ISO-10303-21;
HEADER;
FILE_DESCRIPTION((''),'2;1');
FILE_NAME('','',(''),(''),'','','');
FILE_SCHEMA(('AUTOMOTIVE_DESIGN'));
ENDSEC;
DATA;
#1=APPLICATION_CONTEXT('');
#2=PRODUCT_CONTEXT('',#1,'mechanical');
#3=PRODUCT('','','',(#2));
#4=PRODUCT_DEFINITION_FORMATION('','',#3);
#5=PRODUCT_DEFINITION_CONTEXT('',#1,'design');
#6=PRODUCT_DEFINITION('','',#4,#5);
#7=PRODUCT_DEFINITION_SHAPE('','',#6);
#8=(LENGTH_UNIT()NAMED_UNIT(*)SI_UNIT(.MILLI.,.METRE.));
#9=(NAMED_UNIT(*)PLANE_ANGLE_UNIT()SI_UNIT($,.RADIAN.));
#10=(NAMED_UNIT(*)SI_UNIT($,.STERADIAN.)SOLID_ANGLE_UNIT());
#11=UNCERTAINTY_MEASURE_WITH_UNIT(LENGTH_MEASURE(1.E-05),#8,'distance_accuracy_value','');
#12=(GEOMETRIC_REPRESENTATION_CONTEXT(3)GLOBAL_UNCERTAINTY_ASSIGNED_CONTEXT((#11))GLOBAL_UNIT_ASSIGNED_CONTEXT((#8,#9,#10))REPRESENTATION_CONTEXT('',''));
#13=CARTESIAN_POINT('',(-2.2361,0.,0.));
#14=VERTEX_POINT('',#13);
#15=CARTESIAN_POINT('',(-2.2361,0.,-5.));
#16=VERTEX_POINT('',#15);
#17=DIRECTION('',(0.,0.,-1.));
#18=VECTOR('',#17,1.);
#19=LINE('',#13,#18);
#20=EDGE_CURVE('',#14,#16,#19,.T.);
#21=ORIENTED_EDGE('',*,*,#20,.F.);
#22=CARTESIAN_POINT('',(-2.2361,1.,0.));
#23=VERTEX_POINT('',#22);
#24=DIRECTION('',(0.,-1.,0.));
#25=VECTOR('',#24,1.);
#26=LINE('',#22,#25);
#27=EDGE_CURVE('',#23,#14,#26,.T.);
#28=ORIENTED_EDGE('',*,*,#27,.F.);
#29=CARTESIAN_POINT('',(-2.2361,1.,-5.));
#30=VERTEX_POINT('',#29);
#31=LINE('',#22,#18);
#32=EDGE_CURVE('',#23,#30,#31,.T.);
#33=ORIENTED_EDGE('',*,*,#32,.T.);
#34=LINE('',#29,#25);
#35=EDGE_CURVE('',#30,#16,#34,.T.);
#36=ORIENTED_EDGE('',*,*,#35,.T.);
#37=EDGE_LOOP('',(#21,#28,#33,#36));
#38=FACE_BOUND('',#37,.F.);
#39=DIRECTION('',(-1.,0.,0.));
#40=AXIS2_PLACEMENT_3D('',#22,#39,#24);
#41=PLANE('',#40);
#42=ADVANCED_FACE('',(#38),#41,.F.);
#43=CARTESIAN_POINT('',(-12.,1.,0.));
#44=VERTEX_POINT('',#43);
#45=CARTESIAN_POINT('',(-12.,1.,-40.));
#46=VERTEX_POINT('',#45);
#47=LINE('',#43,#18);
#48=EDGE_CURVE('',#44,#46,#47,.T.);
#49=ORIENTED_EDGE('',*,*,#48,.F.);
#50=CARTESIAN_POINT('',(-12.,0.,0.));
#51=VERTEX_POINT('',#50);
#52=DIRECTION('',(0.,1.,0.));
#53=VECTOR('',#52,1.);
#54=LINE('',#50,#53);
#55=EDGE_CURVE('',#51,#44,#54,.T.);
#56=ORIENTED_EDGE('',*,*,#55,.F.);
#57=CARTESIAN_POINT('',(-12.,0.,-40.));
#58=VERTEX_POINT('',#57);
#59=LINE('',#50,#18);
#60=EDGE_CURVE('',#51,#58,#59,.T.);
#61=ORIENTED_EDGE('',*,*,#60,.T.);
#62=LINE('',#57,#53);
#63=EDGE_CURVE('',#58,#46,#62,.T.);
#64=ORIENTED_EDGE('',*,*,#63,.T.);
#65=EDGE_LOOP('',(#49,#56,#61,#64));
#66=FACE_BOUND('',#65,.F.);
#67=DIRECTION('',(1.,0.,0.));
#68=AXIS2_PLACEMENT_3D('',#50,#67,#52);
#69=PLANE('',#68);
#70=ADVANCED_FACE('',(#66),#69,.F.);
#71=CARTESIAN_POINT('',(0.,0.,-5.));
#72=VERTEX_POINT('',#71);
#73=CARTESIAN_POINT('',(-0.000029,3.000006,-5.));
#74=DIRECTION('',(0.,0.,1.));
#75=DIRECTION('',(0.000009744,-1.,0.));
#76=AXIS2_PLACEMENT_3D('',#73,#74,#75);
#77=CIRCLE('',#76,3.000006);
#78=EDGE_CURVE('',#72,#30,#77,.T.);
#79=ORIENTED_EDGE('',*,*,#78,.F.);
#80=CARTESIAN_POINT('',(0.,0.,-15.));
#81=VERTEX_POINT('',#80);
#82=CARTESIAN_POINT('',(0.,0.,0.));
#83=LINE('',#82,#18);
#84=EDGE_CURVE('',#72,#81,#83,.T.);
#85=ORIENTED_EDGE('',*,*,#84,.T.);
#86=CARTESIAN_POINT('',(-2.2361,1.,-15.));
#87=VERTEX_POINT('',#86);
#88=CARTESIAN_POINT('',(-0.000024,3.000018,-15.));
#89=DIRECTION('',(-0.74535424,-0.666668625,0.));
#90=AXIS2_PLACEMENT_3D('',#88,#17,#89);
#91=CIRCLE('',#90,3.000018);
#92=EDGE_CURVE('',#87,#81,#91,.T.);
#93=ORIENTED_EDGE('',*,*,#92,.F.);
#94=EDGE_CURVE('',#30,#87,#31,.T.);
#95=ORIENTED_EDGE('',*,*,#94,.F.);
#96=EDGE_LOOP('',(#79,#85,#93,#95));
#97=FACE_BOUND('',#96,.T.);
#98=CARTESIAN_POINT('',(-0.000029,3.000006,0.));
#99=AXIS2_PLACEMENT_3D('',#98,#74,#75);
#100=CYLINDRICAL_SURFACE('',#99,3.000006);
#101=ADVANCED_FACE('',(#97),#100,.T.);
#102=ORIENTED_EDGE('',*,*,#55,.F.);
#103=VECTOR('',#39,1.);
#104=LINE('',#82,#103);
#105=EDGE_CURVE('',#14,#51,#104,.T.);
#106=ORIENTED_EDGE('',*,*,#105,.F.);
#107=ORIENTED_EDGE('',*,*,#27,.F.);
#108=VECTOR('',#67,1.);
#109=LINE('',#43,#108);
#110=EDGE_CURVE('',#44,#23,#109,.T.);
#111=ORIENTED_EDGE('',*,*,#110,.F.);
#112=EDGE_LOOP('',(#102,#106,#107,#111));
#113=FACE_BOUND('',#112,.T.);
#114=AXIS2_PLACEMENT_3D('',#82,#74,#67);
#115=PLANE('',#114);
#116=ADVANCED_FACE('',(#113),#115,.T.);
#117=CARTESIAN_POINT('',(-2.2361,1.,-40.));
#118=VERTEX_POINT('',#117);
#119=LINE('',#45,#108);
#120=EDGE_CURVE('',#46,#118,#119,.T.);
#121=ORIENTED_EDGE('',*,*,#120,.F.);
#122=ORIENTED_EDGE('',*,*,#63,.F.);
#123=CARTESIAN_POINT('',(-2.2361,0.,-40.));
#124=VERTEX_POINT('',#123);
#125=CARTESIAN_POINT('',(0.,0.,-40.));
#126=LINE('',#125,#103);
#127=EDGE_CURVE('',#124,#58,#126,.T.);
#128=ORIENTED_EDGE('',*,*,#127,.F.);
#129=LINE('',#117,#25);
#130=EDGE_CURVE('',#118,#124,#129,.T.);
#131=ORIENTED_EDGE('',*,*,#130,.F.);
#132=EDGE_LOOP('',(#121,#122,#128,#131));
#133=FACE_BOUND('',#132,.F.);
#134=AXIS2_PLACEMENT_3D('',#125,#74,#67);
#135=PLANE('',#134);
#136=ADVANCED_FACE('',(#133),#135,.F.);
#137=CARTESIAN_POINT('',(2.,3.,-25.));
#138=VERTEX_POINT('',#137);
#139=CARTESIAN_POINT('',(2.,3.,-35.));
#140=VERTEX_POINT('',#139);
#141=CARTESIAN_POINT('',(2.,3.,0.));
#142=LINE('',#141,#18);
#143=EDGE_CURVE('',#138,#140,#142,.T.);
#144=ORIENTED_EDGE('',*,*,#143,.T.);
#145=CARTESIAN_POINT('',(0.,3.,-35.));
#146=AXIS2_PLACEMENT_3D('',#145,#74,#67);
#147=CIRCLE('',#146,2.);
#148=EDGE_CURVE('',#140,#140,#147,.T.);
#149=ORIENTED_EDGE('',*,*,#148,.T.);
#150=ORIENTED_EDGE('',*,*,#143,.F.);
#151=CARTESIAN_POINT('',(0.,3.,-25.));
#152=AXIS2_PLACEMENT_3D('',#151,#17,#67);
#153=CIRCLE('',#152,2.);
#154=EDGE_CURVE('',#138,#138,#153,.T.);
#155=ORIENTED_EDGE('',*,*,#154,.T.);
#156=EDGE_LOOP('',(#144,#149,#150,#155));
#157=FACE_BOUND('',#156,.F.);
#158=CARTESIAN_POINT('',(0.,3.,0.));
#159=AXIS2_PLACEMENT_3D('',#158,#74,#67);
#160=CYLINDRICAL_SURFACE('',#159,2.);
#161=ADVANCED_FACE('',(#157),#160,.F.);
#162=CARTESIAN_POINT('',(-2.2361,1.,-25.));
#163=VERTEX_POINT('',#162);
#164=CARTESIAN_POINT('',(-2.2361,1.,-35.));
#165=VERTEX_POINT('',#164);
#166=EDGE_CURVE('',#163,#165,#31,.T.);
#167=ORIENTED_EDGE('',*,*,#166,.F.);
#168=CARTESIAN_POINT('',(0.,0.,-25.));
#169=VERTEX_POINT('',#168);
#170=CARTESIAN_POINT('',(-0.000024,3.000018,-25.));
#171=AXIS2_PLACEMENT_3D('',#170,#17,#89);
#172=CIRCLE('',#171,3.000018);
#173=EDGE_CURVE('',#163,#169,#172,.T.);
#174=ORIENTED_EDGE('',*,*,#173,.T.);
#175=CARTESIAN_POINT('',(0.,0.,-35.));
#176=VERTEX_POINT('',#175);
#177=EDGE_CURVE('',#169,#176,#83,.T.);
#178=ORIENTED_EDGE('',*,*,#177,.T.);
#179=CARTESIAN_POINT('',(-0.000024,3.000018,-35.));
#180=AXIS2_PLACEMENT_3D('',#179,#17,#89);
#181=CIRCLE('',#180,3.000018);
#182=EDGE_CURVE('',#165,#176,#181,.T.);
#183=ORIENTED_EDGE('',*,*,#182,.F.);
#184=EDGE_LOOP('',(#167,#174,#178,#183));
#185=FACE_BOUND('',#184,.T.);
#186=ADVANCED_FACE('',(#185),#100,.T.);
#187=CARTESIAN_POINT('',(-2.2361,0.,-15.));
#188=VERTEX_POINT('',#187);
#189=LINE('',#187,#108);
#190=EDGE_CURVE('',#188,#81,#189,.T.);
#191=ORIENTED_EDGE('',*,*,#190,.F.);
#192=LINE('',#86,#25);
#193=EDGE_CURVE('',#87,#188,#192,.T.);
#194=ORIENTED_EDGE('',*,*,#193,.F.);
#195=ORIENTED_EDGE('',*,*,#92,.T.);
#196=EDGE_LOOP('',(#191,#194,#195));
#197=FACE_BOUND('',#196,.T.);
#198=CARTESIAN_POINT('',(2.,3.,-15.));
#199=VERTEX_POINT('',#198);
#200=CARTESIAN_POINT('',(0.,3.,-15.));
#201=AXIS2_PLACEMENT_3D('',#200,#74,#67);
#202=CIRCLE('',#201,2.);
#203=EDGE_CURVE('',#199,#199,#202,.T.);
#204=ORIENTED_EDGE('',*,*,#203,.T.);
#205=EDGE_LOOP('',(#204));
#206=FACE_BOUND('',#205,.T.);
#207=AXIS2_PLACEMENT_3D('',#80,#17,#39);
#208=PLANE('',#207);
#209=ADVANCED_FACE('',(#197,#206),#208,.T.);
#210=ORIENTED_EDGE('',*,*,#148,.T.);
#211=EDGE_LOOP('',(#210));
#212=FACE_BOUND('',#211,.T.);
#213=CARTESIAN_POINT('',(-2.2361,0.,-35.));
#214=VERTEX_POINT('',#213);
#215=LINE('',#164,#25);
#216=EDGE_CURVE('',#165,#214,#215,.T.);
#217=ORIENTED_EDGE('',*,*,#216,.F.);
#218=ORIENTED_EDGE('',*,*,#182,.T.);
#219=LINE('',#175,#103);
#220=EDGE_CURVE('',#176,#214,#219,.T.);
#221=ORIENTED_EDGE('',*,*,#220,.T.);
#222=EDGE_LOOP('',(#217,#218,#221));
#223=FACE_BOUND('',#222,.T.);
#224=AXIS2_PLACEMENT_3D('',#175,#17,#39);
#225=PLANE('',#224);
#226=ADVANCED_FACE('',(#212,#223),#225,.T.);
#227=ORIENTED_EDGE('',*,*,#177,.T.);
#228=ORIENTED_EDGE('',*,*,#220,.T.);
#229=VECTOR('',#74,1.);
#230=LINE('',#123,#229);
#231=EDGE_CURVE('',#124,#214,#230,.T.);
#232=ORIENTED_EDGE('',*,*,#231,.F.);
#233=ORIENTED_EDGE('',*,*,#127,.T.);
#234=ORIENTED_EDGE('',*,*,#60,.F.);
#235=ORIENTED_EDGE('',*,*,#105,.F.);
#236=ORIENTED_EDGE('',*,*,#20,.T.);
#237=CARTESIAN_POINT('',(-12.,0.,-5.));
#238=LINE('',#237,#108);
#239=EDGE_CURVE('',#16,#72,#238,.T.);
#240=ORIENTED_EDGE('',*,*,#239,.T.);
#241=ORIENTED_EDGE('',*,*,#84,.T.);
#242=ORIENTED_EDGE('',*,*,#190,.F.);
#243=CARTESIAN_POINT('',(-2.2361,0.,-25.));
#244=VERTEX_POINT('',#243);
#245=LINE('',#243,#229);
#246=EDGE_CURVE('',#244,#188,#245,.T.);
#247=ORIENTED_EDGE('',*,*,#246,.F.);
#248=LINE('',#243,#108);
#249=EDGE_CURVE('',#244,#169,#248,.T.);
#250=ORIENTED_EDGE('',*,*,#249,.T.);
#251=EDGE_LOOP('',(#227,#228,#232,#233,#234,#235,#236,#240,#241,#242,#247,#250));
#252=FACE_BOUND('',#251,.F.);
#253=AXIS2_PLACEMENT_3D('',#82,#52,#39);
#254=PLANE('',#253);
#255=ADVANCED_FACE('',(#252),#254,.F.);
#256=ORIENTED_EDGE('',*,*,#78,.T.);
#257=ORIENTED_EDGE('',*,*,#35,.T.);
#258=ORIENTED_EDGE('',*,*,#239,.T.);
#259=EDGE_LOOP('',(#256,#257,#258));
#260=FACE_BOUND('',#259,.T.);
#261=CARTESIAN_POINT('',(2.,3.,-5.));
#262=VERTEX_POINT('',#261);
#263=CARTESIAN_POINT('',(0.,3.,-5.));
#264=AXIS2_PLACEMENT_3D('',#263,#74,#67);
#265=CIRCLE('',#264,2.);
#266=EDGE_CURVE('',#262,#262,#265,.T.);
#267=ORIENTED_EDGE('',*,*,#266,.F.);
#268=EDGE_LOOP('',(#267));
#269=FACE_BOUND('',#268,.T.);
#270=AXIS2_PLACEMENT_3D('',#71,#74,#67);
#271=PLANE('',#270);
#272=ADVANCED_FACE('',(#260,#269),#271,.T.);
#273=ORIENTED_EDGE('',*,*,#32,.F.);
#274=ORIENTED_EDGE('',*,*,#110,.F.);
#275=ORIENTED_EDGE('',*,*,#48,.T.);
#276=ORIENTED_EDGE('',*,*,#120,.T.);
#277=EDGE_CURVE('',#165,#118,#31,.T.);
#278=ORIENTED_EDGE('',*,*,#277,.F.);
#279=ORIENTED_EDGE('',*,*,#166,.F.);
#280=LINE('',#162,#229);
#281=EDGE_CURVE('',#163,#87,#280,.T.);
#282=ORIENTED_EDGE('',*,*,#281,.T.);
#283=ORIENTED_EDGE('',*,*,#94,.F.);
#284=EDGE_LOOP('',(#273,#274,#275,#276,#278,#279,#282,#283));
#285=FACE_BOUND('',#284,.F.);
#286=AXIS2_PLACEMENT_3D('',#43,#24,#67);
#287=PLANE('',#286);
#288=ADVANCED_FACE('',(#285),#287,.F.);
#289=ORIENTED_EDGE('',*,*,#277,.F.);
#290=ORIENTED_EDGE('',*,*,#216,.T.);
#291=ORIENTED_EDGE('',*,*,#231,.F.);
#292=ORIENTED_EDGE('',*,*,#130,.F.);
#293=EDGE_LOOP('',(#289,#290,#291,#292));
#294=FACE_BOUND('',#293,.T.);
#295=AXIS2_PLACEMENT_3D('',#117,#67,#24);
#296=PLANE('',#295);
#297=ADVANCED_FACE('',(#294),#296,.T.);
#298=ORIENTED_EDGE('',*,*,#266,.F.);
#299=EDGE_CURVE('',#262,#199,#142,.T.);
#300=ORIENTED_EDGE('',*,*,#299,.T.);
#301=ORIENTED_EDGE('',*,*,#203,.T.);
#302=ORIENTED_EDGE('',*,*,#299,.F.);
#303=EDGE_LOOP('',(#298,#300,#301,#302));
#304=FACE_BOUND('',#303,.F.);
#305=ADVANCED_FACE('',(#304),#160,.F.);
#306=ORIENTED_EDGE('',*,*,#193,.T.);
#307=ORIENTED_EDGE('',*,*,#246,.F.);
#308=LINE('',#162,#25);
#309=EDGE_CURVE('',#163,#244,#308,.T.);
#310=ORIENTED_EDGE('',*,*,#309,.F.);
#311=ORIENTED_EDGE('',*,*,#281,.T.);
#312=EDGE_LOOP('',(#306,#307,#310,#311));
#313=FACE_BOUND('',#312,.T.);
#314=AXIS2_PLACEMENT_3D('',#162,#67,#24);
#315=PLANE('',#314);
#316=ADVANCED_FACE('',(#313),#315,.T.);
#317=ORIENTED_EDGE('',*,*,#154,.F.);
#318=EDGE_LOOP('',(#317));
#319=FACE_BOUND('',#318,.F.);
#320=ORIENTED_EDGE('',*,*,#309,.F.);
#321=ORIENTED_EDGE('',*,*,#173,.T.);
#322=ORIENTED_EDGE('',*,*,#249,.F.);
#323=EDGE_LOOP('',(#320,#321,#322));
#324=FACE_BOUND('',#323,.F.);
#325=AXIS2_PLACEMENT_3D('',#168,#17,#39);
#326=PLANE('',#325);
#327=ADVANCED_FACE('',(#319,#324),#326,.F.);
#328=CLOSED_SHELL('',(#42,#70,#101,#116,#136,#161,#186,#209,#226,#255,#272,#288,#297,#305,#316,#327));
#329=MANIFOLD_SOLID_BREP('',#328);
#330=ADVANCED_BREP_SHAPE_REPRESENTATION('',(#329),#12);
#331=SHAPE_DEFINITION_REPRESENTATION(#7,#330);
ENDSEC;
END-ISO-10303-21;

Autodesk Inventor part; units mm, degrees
ref_plane "YZ Plane" through (0, 0, 0) normal (1, 0, 0) x (0, 1, 0)
ref_plane "XZ Plane" through (0, 0, 0) normal (0, 1, 0) x (-1, 0, 0)
sketch "Sketch1" plane through (0, 0, 0) normal (0, 0, 1) x (1, 0, 0)
  line L0 (0, 0) -> (-12, 0)
  line L1 (-12, 0) -> (-12, 1)
  line L2 (-12, 1) -> (-2.2361, 1)
  arc A0 (0, 0) -> (-2.2361, 1) centre (0, 3) ccw
  circle A1 centre (0, 3) radius 2
  dimension "d1" = 1
  dimension "d2" = 4
  dimension "d3" = 12
  dimension "d4" = 3
  dimension "d5" = 1
  dimension "d6" = 3
extrude "Extrusion1" add sketch "Sketch1" against normal blind 40
sketch "Sketch2" plane through (0, 0, 0) normal (0, 0, 1) x (1, 0, 0)
  arc A0 (0, 0) -> (-2.2361, 1) centre (0, 3) ccw projected
  arc A1 (0, 0) -> (-2.2361, 1) centre (0, 3) ccw projected
  circle A2 centre (0, 3) radius 2 projected
  circle A3 centre (0, 3) radius 2 projected
  line L0 (-2.2361, 1) -> (-2.2361, 0)
  line L1 (-12, 0) -> (0, 0) projected
  line L2 (-2.2361, 0) -> (0, 0)
extrude "Extrusion2" cut sketch "Sketch2" against normal blind 5
sketch "Sketch3" plane through (0, 0, -40) normal (0, 0, -1) x (-1, 0, 0)
  arc A0 (2.2361, 1) -> (0, 0) centre (0, 3) ccw projected
  arc A1 (2.2361, 1) -> (0, 0) centre (0, 3) ccw projected
  circle A2 centre (0, 3) radius 2 projected
  circle A3 centre (0, 3) radius 2 projected
  line L0 (12, 1) -> (2.2361, 1) projected
  line L1 (2.2361, 1) -> (2.2361, 0)
  line L2 (0, 0) -> (12, 0) projected
  line L3 (2.2361, 0) -> (0, 0)
extrude "Extrusion3" cut sketch "Sketch3" against normal blind 5
ref_plane "Work Plane1" through (0, 0, -25) normal (0, 0, -1) x (-1, 0, 0)
sketch "Sketch4" plane through (0, 0, -25) normal (0, 0, -1) x (-1, 0, 0)
  arc A0 (2.2361, 1) -> (0, 0) centre (0, 3) ccw projected
  arc A1 (2.2361, 1) -> (0, 0) centre (0, 3) ccw projected
  circle A2 centre (0, 3) radius 2 projected
  circle A3 centre (0, 3) radius 2 projected
  line L0 (2.2361, 1) -> (2.2361, 0)
  line L1 (2.2361, 0) -> (0, 0)
  point P0 (0, 0)
extrude "Extrusion4" cut sketch "Sketch4" against normal blind 10
properties part number "Poker hinge 2"
